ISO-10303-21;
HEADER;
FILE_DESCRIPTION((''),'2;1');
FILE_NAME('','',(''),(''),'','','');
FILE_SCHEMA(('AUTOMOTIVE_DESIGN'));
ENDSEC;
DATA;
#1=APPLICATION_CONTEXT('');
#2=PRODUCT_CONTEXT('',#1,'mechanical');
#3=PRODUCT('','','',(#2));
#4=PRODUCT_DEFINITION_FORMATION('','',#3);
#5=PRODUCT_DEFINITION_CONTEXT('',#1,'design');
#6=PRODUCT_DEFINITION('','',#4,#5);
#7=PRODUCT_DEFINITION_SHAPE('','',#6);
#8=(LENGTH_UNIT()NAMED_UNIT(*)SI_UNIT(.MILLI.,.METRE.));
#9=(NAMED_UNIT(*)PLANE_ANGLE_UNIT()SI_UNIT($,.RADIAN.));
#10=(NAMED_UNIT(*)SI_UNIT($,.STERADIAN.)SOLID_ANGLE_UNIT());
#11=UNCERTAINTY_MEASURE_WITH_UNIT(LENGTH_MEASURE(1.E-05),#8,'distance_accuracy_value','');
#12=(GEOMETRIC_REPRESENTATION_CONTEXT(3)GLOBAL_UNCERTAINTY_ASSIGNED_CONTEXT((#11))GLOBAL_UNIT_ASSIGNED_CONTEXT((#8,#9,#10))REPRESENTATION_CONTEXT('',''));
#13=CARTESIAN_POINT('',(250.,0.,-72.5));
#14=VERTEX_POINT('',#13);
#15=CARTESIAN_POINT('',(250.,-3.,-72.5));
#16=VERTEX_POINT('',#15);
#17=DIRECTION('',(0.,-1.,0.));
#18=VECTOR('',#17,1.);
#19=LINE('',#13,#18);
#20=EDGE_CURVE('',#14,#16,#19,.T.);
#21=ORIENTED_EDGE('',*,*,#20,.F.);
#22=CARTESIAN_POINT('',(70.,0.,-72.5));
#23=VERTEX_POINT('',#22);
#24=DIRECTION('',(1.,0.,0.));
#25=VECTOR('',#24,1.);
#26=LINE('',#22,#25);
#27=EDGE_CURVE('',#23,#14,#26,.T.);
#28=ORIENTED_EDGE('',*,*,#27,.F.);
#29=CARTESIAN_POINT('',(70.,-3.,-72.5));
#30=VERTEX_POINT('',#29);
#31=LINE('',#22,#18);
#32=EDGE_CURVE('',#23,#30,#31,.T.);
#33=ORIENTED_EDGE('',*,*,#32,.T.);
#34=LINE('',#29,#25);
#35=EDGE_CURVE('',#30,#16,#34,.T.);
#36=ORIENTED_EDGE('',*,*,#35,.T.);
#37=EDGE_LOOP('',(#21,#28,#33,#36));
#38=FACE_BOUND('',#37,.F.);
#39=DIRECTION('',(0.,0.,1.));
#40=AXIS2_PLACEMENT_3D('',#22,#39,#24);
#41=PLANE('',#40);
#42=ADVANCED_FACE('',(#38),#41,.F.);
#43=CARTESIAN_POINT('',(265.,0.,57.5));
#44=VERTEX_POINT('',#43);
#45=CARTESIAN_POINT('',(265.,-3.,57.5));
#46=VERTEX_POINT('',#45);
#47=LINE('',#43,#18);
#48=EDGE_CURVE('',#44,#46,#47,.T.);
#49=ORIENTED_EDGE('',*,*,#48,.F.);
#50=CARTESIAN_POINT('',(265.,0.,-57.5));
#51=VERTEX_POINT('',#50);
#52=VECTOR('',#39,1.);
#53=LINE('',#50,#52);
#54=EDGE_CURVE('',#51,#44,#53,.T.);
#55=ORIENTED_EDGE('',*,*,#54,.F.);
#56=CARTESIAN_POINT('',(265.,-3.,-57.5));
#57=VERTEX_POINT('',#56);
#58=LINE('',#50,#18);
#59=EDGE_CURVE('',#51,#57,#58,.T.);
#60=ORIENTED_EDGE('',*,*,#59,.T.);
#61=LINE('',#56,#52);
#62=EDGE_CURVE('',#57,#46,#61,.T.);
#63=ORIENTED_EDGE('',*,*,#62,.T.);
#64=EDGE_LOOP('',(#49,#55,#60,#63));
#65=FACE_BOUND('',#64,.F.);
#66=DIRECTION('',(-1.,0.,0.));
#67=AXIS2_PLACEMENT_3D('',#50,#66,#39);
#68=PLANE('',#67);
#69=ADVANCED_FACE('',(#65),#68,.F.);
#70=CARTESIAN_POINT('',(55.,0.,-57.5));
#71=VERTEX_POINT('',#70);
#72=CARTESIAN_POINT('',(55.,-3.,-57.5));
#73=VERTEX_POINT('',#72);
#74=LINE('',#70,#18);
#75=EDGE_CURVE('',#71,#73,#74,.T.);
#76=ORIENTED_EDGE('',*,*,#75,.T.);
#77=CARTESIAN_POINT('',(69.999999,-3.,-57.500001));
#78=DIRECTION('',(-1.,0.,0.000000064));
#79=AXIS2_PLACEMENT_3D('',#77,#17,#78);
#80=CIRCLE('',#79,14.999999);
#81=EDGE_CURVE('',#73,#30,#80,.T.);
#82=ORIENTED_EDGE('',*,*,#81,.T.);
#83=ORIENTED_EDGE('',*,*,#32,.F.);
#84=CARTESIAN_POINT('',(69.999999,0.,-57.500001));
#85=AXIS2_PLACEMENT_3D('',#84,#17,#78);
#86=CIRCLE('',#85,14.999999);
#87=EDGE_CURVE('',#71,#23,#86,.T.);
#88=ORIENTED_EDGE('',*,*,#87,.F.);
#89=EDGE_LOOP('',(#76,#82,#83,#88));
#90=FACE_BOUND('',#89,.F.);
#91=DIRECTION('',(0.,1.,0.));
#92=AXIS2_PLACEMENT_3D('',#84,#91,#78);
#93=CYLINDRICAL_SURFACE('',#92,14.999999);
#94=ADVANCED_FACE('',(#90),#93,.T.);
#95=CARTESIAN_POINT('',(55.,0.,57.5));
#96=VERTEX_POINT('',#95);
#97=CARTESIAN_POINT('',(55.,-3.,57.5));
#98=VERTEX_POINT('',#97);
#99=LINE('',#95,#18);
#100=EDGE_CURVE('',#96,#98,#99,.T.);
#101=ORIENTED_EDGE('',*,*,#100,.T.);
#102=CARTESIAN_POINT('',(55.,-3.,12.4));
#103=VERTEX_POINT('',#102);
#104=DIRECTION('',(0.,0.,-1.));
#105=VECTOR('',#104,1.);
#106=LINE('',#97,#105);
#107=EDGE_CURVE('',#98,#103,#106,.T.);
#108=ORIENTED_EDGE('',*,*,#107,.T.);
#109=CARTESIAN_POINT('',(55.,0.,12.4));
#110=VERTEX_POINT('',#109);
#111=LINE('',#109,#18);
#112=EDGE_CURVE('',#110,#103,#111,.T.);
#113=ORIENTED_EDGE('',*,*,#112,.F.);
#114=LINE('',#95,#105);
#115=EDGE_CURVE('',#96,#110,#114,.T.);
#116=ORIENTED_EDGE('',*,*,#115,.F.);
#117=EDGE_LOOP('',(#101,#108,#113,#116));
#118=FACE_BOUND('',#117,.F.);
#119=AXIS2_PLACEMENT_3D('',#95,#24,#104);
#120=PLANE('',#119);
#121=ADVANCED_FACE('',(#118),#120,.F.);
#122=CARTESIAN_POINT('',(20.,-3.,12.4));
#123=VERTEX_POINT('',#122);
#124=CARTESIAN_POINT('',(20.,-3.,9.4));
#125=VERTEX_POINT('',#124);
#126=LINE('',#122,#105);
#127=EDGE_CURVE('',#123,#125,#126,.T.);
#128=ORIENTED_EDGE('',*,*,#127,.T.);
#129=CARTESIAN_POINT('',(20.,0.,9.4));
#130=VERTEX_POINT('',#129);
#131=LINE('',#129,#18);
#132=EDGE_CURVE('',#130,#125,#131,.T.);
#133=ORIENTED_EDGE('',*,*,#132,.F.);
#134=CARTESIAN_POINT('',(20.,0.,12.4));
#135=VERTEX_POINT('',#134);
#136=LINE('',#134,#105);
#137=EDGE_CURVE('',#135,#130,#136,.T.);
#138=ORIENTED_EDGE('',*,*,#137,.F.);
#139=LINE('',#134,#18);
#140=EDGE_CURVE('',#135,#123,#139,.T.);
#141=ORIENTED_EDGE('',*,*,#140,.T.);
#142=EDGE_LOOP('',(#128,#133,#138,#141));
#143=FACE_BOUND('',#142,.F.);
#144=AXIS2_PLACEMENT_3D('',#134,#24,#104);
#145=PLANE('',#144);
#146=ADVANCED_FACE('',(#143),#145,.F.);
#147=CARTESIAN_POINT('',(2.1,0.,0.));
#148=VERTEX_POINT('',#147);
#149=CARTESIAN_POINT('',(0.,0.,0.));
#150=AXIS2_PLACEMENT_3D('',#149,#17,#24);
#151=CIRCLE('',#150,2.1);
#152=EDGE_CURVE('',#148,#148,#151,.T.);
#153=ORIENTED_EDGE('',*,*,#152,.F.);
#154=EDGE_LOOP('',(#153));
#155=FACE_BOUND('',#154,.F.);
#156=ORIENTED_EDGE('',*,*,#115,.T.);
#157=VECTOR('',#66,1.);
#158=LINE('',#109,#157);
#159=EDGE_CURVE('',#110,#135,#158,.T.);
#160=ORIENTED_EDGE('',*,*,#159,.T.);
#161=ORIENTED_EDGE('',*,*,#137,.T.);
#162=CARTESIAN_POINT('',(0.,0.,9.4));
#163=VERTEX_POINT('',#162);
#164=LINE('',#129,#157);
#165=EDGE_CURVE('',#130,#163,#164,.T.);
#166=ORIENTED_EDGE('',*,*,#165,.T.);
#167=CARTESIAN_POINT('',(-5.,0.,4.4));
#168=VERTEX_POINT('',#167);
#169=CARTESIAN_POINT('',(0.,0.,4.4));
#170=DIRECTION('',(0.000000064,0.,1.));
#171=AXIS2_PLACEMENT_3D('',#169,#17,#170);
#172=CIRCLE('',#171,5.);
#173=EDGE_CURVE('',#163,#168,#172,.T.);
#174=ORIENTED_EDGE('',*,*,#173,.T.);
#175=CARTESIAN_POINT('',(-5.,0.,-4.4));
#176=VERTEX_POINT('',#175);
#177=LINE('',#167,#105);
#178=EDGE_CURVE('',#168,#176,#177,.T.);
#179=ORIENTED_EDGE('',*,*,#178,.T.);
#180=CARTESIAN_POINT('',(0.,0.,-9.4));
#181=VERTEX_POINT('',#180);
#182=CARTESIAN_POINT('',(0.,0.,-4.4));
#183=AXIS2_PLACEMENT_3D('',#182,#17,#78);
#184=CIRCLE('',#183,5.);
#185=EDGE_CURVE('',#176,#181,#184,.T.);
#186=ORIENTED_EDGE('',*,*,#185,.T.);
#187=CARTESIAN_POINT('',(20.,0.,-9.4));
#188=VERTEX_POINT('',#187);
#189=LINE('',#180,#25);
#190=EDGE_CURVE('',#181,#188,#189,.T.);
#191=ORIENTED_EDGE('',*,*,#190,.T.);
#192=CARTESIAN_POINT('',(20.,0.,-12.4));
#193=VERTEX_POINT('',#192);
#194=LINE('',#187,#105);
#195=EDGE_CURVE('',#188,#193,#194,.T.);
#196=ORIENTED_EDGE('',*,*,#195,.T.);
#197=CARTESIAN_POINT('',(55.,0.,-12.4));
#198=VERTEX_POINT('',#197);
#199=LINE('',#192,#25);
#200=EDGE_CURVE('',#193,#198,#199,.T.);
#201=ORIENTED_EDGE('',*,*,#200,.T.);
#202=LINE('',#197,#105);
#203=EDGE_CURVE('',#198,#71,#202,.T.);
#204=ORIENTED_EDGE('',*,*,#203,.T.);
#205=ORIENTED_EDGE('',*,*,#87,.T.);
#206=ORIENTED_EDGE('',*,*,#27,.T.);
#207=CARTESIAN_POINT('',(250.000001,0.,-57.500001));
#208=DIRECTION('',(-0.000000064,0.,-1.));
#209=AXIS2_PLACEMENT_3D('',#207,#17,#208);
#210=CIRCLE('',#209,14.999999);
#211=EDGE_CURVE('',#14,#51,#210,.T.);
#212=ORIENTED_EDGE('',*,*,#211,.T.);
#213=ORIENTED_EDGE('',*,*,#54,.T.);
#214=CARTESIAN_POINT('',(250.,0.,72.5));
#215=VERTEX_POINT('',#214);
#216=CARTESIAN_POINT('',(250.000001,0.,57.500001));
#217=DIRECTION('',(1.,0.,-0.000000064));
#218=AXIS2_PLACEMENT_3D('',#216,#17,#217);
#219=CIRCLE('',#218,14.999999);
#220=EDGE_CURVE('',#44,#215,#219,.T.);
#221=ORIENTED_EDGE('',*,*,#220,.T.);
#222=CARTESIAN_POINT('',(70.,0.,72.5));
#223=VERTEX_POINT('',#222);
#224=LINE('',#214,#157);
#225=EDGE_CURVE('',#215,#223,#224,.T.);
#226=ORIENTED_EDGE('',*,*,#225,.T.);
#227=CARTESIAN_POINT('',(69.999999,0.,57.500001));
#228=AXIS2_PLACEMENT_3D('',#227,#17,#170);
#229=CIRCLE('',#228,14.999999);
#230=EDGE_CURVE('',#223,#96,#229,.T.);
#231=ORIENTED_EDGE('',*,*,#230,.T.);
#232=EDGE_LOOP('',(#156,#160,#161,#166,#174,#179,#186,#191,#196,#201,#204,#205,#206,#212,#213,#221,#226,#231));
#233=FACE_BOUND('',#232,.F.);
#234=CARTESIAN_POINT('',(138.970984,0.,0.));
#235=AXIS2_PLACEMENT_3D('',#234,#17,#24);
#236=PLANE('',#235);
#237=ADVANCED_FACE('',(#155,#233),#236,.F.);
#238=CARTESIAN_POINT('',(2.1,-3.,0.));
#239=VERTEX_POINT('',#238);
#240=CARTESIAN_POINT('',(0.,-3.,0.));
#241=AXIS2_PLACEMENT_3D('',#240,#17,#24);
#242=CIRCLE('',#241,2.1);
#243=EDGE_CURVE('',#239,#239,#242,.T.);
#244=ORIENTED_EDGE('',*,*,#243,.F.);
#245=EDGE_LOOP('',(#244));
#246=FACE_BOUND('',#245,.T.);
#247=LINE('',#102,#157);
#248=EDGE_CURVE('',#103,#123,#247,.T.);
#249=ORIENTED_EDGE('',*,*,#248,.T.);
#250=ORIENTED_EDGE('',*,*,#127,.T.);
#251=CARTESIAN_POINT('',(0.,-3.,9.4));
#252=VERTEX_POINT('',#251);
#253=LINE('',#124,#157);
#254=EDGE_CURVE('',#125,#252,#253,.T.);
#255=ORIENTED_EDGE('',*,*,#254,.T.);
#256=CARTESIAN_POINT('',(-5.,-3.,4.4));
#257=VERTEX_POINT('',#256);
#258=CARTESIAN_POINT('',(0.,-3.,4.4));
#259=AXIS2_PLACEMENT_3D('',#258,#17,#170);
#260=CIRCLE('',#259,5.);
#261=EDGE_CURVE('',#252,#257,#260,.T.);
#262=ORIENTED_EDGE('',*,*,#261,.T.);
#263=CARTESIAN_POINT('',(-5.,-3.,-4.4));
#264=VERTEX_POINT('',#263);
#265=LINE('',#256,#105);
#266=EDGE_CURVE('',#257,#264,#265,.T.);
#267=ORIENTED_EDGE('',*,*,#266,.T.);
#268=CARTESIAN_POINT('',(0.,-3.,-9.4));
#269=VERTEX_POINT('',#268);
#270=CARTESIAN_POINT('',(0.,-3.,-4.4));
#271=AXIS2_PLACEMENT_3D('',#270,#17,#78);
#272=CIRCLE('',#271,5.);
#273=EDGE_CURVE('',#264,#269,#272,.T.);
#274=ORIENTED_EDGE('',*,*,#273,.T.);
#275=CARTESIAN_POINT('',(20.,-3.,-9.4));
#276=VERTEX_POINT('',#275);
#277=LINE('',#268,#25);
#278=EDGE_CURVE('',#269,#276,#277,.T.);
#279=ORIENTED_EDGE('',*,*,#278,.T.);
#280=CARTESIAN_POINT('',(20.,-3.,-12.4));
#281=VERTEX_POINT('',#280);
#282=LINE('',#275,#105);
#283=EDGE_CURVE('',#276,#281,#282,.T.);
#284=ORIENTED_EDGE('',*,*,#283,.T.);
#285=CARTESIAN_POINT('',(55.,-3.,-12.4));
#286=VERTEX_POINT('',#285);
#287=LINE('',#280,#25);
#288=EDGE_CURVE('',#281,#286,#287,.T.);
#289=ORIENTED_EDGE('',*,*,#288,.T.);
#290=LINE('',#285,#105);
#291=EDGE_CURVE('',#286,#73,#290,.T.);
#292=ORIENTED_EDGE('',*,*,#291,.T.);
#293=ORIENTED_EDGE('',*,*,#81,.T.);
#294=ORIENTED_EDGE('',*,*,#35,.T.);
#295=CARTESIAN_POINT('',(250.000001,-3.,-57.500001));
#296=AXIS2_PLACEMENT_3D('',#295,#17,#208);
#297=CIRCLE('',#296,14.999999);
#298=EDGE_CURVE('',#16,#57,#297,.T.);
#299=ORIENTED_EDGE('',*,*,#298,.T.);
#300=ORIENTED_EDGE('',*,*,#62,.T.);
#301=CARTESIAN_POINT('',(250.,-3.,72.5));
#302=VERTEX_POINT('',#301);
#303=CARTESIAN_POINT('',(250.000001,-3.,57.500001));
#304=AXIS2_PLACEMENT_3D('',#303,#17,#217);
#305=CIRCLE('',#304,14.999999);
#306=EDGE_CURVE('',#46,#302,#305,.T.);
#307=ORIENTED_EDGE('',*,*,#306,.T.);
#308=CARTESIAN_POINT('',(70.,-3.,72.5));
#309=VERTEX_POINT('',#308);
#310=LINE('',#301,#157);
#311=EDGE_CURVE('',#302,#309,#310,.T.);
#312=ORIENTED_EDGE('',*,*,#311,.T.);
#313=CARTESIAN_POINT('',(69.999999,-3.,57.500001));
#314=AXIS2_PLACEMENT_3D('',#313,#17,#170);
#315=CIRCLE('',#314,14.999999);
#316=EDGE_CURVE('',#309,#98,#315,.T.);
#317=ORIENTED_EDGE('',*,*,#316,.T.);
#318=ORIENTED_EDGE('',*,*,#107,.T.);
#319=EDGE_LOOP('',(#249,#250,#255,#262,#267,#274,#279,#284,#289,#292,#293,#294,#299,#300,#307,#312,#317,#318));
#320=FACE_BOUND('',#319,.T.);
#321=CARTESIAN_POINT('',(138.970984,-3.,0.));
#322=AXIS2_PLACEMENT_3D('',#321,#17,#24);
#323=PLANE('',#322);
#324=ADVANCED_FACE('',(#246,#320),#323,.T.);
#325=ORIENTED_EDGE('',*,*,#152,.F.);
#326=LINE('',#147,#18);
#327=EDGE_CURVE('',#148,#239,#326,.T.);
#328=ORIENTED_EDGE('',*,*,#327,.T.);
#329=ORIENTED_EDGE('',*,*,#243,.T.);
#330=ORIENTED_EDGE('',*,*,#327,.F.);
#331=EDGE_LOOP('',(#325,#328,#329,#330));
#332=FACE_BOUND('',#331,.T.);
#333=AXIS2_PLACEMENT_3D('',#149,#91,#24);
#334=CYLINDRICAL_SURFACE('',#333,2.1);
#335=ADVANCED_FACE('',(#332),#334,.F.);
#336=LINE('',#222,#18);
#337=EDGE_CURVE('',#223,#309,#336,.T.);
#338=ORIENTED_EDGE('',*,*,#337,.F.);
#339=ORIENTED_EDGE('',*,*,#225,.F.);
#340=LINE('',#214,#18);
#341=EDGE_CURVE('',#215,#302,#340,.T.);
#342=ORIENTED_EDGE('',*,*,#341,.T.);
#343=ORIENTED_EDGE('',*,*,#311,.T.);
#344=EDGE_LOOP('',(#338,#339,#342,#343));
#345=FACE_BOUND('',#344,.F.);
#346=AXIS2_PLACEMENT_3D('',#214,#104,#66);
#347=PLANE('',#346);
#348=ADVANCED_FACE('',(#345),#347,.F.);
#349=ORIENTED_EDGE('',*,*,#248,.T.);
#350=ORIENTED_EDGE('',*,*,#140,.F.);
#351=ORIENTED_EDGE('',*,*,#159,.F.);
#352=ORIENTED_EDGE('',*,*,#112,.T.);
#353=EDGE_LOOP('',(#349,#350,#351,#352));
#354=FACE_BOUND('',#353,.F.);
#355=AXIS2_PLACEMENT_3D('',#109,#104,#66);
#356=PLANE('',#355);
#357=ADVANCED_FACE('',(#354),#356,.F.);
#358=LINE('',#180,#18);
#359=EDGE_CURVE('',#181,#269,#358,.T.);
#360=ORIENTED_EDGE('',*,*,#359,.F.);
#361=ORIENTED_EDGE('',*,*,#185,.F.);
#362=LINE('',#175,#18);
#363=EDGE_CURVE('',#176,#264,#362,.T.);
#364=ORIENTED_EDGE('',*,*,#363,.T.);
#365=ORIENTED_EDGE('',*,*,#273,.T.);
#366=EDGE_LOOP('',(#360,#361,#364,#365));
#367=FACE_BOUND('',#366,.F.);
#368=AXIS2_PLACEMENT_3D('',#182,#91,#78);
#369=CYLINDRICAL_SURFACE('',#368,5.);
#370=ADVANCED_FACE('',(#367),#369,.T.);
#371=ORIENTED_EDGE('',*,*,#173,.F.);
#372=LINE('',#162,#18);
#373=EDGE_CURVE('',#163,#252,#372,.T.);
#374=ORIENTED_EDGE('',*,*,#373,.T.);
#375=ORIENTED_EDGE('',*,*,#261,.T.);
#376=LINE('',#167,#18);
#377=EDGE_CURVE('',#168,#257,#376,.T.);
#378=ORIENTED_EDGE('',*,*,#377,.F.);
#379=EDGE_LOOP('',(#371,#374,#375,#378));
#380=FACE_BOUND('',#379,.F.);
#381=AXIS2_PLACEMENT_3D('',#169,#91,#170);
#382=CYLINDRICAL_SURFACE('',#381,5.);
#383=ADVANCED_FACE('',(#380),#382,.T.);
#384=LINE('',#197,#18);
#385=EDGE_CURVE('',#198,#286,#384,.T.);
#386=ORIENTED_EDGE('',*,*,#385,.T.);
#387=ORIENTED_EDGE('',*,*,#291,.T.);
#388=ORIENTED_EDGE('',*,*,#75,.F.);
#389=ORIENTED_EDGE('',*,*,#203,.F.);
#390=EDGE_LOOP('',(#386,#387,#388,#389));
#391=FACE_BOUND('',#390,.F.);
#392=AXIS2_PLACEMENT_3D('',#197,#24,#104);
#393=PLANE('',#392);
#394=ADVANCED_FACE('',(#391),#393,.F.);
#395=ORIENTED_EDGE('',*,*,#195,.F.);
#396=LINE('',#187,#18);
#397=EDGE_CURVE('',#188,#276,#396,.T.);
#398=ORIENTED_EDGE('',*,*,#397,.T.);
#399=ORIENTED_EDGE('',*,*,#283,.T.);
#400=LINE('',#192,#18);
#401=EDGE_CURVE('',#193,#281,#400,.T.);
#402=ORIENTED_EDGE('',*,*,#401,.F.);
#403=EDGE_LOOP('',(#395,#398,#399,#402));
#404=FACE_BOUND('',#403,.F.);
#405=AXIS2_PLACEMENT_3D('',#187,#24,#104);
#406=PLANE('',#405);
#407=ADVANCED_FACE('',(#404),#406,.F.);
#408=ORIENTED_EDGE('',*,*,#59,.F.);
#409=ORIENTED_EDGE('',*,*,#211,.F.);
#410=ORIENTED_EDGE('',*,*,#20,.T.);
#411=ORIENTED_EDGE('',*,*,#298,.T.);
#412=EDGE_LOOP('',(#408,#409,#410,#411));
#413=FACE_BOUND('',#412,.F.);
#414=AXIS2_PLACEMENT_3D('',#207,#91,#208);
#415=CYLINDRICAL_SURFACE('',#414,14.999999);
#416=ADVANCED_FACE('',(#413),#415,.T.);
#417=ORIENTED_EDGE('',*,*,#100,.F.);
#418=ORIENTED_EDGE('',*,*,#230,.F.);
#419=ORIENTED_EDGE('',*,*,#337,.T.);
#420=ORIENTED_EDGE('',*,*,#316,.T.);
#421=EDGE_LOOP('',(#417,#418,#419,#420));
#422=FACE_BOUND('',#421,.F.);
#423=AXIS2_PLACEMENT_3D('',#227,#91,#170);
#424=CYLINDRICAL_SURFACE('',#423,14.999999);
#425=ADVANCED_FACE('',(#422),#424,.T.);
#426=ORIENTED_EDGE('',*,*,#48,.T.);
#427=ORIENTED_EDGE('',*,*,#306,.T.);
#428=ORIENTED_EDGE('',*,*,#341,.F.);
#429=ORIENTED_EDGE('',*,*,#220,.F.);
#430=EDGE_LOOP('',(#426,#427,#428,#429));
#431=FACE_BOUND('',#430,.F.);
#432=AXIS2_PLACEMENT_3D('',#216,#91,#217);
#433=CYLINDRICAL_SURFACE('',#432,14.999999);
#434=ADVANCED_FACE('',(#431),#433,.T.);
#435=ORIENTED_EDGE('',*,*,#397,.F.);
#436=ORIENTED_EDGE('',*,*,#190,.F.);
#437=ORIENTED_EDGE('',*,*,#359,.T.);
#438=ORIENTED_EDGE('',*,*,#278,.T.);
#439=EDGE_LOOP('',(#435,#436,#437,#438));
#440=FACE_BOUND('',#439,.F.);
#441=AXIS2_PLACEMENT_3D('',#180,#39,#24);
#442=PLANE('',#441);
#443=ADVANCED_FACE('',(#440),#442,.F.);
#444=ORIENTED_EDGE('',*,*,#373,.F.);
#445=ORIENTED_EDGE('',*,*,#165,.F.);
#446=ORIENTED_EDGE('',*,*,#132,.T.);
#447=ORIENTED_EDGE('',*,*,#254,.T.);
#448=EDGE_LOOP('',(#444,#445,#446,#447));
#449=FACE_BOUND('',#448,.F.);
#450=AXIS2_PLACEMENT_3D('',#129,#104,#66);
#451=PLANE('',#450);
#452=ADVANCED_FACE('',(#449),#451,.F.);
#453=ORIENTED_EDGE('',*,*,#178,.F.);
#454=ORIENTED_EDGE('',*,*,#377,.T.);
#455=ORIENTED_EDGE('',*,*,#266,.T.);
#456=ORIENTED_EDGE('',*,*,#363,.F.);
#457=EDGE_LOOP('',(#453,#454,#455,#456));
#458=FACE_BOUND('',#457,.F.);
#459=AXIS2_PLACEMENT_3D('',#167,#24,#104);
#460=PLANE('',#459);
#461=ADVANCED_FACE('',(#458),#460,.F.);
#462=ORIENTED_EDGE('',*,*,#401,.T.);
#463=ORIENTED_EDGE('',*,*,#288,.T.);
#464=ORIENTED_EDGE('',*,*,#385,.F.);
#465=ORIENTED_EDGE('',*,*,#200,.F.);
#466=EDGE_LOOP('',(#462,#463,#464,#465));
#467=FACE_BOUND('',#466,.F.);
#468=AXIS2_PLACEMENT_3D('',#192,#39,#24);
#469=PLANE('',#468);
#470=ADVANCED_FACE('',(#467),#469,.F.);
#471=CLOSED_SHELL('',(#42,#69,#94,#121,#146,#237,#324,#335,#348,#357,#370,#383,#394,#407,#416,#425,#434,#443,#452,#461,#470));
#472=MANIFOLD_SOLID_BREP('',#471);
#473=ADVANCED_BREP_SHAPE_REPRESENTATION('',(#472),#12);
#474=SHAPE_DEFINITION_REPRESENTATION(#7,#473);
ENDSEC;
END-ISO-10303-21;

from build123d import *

# Parameters (mm, degrees)
F0_R     = 2.1
F1_DEPTH = 3


with BuildPart() as f1:
    # F0 (on Front) → F1 (new body)
    with BuildSketch(Plane.XZ):
        with BuildLine():
            Line((70, -72.5), (250, -72.5))
            ThreePointArc((250, -72.5), (260.606602, -68.106602), (265, -57.5))
            Line((265, -57.5), (265, 57.5))
            ThreePointArc((265, 57.5), (260.606602, 68.106602), (250, 72.5))
            Line((250, 72.5), (70, 72.5))
            ThreePointArc((70, 72.5), (59.393398, 68.106602), (55, 57.5))
            Line((55, 57.5), (55, 15.4))
            Line((55, 15.4), (55, 12.4))
            Line((55, 12.4), (20, 12.4))
            Line((20, 12.4), (20, 9.4))
            Line((20, 9.4), (0, 9.4))
            ThreePointArc((0, 9.4), (-3.535534, 7.935534), (-5, 4.4))
            Line((-5, 4.4), (-5, 0))
            Line((-5, 0), (-5, -4.4))
            ThreePointArc((-5, -4.4), (-3.535534, -7.935534), (0, -9.4))
            Line((0, -9.4), (20, -9.4))
            Line((20, -9.4), (20, -12.4))
            Line((20, -12.4), (55, -12.4))
            Line((55, -12.4), (55, -57.5))
            ThreePointArc((55, -57.5), (59.393398, -68.106602), (70, -72.5))
        make_face()
        Circle(F0_R, mode=Mode.SUBTRACT)
    extrude(amount=F1_DEPTH)


solid = f1.part
